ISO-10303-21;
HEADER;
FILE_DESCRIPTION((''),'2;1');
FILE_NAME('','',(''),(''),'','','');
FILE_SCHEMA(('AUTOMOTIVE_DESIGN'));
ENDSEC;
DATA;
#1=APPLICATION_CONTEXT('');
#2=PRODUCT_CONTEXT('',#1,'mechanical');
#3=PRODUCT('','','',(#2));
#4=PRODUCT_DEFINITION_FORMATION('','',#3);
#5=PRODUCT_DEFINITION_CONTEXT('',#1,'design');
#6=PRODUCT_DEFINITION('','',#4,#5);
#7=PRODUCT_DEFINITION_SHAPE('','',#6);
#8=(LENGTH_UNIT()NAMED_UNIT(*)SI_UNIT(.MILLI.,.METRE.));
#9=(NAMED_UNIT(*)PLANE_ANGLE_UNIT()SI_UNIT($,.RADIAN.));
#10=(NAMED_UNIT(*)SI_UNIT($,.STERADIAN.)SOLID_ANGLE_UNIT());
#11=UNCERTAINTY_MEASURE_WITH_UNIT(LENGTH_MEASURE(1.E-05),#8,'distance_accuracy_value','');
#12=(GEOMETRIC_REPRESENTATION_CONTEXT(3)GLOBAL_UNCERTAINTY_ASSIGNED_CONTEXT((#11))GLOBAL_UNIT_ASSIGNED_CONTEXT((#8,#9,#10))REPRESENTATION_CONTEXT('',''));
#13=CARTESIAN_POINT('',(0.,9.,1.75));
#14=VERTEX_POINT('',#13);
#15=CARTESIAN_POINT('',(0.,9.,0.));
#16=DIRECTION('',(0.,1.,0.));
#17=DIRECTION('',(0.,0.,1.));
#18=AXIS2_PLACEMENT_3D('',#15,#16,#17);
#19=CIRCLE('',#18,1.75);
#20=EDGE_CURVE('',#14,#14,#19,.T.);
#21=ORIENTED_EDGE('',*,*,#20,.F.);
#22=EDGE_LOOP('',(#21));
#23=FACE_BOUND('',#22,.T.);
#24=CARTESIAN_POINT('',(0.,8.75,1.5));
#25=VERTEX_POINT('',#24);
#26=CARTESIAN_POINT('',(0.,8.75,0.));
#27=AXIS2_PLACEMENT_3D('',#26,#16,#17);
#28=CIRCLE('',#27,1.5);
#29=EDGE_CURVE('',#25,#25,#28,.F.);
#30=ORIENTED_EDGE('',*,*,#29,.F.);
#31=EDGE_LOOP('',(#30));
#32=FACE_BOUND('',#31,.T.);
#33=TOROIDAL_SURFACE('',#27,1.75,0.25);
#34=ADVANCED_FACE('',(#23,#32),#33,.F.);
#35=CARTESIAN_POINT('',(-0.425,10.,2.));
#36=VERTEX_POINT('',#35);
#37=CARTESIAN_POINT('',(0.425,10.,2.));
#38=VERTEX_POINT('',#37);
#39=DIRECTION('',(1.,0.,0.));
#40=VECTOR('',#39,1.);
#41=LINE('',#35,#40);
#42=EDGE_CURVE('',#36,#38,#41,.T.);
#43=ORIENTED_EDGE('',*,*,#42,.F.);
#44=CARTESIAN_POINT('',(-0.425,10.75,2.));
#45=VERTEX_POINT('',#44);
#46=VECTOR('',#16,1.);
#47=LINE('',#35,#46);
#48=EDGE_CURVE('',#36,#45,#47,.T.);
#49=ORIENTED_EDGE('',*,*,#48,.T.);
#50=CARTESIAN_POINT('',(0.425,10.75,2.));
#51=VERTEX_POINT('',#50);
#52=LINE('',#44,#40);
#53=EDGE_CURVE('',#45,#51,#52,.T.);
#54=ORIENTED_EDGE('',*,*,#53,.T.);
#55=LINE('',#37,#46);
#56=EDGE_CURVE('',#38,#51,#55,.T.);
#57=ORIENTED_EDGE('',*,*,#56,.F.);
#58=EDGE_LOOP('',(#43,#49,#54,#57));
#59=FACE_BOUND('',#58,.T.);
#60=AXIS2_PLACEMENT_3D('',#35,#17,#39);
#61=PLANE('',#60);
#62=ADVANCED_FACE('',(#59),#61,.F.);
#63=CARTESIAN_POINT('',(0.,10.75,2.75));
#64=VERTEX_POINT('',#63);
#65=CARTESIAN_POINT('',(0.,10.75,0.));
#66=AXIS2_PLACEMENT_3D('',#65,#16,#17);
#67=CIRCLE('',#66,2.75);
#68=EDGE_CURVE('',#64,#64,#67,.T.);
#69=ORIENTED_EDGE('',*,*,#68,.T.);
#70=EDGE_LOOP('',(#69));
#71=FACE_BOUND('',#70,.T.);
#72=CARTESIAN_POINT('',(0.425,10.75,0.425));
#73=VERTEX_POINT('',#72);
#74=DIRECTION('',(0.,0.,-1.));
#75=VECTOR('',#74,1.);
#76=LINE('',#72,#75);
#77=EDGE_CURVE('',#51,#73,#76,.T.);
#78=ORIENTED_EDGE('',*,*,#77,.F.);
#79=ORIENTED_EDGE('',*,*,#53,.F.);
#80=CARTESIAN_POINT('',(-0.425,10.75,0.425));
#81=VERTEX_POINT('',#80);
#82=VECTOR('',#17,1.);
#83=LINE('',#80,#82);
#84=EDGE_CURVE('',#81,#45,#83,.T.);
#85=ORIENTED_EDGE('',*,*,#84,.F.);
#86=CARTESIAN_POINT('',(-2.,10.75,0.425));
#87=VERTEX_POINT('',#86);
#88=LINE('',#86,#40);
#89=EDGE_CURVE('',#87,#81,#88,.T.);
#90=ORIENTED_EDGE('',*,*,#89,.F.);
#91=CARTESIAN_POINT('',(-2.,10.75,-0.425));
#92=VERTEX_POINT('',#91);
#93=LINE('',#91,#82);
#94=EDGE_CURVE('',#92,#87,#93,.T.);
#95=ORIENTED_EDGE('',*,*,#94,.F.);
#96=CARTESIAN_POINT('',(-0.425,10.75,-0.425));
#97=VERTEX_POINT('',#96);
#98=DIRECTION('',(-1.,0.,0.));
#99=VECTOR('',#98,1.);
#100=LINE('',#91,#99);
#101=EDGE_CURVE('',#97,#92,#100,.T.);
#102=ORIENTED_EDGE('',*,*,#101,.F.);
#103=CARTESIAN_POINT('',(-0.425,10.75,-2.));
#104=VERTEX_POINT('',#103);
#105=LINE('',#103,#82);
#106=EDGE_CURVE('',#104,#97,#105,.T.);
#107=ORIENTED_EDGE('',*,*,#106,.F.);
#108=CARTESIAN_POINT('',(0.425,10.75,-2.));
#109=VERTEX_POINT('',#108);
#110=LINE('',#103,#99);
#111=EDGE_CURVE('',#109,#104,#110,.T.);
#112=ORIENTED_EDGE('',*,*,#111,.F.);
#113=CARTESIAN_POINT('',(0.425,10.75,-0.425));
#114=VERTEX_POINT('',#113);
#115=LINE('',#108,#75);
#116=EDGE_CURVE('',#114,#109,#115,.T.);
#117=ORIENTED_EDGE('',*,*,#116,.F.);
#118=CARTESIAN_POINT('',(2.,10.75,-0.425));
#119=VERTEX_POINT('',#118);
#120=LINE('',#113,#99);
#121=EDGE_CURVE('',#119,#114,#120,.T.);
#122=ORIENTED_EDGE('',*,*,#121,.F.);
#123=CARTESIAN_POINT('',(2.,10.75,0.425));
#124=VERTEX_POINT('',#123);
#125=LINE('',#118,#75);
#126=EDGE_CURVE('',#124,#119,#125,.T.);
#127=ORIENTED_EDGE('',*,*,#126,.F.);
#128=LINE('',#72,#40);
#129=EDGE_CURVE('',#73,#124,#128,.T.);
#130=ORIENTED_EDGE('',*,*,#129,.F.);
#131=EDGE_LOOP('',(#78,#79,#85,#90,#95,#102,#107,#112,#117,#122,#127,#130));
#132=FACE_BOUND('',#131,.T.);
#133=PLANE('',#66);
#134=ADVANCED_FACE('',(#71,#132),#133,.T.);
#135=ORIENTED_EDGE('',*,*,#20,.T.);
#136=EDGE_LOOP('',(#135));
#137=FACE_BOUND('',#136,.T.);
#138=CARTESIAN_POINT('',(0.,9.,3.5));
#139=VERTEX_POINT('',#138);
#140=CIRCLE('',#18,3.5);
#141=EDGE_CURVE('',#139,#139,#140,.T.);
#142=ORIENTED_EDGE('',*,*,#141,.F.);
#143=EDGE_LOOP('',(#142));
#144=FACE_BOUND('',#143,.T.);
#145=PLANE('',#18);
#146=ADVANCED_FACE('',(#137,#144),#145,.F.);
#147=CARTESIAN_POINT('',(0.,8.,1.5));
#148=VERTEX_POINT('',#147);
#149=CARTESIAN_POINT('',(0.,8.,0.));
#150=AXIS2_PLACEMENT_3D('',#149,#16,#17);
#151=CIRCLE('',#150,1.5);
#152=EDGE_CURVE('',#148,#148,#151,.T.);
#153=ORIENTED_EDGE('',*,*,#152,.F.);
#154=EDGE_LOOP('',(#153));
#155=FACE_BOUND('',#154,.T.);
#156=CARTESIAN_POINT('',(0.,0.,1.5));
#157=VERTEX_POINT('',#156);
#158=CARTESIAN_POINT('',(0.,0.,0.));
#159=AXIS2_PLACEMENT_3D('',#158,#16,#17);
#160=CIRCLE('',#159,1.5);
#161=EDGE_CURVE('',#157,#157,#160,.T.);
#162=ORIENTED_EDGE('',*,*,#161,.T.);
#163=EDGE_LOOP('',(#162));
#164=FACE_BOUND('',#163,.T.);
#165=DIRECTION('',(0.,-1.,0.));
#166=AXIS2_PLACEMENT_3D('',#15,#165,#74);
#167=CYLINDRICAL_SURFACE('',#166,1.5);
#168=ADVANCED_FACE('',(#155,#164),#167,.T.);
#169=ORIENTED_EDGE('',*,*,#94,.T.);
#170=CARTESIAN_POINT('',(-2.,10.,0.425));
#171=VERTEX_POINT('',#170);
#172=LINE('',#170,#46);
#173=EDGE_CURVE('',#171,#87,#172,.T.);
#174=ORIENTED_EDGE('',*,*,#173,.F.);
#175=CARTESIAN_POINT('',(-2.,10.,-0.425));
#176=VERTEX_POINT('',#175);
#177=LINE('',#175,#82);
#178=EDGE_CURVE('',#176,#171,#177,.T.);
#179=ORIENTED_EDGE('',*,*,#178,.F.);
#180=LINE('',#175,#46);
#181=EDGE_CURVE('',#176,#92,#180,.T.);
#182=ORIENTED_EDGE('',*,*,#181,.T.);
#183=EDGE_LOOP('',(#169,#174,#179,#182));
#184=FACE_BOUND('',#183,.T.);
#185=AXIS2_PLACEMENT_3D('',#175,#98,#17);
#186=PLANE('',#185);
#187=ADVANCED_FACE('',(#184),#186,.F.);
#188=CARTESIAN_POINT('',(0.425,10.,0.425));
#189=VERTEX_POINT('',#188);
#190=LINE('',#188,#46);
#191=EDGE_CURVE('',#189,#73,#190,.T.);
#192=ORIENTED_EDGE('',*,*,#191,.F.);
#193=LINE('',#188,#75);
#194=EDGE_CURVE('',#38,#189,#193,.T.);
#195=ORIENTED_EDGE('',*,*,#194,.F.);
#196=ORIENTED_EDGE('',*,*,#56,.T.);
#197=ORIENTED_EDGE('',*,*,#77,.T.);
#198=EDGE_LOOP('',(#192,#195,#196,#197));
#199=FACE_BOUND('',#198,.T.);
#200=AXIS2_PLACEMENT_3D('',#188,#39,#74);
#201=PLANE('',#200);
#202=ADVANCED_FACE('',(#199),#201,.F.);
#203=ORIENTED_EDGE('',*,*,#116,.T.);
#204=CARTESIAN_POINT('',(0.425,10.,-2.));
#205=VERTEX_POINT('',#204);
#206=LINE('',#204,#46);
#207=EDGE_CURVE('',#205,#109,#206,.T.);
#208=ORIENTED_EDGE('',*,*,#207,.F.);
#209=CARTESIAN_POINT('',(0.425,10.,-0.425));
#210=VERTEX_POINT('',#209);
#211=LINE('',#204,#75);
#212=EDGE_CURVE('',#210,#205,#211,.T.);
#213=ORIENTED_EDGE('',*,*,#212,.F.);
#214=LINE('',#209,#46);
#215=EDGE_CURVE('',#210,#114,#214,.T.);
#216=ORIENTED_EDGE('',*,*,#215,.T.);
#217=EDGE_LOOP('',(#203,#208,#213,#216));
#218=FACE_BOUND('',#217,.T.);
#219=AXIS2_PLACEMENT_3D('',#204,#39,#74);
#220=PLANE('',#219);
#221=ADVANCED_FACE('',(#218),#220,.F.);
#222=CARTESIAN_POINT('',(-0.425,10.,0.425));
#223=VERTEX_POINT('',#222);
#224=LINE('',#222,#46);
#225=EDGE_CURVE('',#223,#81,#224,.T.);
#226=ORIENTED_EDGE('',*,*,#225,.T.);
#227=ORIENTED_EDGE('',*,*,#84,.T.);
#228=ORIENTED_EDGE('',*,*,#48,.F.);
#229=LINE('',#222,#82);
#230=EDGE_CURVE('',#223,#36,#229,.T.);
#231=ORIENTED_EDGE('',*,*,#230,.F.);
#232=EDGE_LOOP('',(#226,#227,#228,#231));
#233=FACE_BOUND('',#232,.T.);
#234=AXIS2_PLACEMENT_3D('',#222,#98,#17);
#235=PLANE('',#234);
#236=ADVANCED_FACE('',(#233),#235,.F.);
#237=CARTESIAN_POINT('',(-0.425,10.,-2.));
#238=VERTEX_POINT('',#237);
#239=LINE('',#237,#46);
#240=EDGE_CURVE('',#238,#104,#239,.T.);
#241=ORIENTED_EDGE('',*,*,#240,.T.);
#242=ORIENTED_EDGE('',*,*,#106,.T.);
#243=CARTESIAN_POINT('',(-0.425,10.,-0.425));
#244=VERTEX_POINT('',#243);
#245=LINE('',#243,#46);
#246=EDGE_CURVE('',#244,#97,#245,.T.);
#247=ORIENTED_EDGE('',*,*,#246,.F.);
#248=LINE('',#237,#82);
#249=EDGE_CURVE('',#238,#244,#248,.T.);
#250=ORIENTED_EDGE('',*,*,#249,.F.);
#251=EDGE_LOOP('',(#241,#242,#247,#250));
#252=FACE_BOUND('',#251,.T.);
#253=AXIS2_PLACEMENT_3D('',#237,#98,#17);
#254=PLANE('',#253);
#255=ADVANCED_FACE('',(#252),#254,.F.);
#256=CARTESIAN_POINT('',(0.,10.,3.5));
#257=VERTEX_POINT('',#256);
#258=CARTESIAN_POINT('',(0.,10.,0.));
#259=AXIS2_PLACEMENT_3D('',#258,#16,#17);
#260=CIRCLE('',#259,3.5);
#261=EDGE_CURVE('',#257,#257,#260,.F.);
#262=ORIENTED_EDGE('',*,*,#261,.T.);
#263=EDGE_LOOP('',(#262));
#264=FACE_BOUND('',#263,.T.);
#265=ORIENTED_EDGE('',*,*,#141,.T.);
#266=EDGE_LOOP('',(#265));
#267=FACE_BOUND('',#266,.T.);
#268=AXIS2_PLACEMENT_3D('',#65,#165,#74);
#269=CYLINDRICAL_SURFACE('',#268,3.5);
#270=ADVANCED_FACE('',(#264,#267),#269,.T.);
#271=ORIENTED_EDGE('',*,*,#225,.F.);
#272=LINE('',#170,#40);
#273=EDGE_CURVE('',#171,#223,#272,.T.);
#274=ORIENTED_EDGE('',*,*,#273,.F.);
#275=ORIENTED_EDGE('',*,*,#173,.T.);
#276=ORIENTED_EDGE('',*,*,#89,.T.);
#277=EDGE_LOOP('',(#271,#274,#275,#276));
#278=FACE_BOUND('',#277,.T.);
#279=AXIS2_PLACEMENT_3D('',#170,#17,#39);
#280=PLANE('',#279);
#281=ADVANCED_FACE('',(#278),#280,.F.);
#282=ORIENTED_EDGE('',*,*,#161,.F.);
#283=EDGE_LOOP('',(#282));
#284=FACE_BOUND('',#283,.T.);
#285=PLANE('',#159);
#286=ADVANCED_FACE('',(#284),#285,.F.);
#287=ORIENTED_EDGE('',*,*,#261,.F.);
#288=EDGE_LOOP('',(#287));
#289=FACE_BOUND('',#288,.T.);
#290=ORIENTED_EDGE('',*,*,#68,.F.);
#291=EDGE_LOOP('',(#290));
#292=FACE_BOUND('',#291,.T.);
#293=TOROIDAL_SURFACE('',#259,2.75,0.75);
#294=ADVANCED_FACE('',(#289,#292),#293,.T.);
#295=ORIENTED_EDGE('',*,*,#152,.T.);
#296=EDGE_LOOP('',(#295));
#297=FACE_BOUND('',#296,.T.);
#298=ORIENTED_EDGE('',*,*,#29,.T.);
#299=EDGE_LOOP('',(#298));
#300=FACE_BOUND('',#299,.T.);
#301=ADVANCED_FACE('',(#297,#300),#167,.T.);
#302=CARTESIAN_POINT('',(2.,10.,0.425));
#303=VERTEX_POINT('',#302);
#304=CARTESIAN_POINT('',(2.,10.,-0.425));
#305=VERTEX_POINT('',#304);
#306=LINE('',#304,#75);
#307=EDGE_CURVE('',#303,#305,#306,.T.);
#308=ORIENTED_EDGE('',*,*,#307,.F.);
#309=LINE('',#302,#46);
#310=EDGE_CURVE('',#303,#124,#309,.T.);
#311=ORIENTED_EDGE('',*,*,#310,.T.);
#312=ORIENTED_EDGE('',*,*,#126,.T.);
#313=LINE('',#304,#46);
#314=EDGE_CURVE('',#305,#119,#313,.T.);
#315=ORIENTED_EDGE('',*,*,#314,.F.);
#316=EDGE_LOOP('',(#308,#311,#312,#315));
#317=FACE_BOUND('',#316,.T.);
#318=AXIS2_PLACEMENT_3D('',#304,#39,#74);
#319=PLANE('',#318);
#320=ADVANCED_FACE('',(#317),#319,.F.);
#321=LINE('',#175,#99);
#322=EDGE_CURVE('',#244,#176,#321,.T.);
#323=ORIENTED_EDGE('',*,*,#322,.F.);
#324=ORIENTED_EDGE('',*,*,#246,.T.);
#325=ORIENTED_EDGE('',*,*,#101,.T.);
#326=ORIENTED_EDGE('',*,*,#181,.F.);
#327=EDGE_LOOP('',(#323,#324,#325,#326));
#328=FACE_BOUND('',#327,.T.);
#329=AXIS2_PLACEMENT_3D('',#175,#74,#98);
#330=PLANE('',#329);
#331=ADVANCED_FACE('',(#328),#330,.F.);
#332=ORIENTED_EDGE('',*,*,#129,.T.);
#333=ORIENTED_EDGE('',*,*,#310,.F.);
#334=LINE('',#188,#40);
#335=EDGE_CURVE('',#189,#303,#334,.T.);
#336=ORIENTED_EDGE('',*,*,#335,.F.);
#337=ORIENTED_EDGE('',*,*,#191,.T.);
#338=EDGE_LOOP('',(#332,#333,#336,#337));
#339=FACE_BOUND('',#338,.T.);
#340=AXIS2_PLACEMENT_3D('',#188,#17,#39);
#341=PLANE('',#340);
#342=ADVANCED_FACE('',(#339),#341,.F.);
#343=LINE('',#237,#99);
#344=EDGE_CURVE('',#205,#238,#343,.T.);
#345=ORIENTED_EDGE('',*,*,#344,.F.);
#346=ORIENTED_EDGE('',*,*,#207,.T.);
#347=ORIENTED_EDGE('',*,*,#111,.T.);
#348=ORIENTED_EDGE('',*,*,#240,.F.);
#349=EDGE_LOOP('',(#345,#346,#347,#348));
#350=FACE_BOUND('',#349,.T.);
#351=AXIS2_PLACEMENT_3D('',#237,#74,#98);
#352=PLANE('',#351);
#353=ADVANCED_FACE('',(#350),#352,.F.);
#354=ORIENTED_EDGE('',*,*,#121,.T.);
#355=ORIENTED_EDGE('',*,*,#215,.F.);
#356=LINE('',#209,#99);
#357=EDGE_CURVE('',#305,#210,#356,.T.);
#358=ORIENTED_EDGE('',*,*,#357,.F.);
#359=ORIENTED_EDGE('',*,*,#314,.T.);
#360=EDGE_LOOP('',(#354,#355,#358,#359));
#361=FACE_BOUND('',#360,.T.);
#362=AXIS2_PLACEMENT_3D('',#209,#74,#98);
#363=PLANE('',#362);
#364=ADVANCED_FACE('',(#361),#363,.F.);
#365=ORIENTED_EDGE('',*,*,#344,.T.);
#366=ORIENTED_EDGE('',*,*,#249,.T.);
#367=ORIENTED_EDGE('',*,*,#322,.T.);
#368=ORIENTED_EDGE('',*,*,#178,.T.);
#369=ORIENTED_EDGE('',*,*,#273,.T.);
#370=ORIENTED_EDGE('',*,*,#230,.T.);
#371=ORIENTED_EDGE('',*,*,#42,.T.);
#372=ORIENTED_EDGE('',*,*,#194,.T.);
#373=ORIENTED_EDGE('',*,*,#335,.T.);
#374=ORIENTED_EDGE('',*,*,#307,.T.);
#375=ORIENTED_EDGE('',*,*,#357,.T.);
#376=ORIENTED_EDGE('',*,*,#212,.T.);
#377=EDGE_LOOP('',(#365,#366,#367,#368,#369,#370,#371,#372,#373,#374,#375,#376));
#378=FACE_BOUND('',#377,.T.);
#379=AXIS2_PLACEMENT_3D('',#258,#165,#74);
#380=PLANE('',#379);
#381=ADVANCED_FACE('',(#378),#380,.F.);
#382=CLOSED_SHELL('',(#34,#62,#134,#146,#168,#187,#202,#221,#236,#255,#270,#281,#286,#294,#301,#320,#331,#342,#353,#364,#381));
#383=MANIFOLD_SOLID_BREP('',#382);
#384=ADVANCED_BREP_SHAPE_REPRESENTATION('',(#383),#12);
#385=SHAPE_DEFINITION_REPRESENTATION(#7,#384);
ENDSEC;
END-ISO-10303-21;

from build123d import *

# Parameters (mm, degrees)
SKETCH3_R           = 1.5
BOSS_EXTRUDE1_DEPTH = 9
SKETCH4_R           = 3.5
BOSS_EXTRUDE2_DEPTH = 1.75
FILLET3_R           = 0.75
CUT_EXTRUDE4_DEPTH  = 0.75
FILLET4_R           = 0.25


with BuildPart() as part:
    # Sketch3 → Boss-Extrude1 (new body)
    with BuildSketch(Plane(origin=(0, 0, 0), x_dir=(1, 0, 0), z_dir=(0, 1, 0))):
        with Locations(Location((0, 0, 0), (0, 0, 270))):
            Circle(SKETCH3_R)
    extrude(amount=BOSS_EXTRUDE1_DEPTH)

    # Sketch4 → Boss-Extrude2 (add)
    with BuildSketch(Plane(origin=(0, 9, 0), x_dir=(1, 0, 0), z_dir=(0, 1, 0))):
        with Locations(Location((0, 0, 0), (0, 0, 270))):
            Circle(SKETCH4_R)
    extrude(amount=BOSS_EXTRUDE2_DEPTH)

    # Fillet3
    fillet3_edges = [part.edges().sort_by_distance(p)[0] for p in [
        (0, 10.75, -3.5),
    ]]
    fillet(fillet3_edges, radius=FILLET3_R)

    # Sketch6 → Cut-Extrude4 (cut)
    with BuildSketch(Plane(origin=(0, 10.75, 0), x_dir=(1, 0, 0), z_dir=(0, 1, 0))):
        Polygon((0.425, 0.425), (2, 0.425), (2, -0.425), (0.425, -0.425), (0.425, -2), (-0.425, -2), (-0.425, -0.425), (-2, -0.425), (-2, 0.425), (-0.425, 0.425), (-0.425, 2), (0.425, 2), align=None)
    extrude(amount=-CUT_EXTRUDE4_DEPTH, mode=Mode.SUBTRACT)

    # Fillet4
    fillet4_edges = [part.edges().sort_by_distance(p)[0] for p in [
        (0, 9, -1.5),
    ]]
    fillet(fillet4_edges, radius=FILLET4_R)


solid = part.part
